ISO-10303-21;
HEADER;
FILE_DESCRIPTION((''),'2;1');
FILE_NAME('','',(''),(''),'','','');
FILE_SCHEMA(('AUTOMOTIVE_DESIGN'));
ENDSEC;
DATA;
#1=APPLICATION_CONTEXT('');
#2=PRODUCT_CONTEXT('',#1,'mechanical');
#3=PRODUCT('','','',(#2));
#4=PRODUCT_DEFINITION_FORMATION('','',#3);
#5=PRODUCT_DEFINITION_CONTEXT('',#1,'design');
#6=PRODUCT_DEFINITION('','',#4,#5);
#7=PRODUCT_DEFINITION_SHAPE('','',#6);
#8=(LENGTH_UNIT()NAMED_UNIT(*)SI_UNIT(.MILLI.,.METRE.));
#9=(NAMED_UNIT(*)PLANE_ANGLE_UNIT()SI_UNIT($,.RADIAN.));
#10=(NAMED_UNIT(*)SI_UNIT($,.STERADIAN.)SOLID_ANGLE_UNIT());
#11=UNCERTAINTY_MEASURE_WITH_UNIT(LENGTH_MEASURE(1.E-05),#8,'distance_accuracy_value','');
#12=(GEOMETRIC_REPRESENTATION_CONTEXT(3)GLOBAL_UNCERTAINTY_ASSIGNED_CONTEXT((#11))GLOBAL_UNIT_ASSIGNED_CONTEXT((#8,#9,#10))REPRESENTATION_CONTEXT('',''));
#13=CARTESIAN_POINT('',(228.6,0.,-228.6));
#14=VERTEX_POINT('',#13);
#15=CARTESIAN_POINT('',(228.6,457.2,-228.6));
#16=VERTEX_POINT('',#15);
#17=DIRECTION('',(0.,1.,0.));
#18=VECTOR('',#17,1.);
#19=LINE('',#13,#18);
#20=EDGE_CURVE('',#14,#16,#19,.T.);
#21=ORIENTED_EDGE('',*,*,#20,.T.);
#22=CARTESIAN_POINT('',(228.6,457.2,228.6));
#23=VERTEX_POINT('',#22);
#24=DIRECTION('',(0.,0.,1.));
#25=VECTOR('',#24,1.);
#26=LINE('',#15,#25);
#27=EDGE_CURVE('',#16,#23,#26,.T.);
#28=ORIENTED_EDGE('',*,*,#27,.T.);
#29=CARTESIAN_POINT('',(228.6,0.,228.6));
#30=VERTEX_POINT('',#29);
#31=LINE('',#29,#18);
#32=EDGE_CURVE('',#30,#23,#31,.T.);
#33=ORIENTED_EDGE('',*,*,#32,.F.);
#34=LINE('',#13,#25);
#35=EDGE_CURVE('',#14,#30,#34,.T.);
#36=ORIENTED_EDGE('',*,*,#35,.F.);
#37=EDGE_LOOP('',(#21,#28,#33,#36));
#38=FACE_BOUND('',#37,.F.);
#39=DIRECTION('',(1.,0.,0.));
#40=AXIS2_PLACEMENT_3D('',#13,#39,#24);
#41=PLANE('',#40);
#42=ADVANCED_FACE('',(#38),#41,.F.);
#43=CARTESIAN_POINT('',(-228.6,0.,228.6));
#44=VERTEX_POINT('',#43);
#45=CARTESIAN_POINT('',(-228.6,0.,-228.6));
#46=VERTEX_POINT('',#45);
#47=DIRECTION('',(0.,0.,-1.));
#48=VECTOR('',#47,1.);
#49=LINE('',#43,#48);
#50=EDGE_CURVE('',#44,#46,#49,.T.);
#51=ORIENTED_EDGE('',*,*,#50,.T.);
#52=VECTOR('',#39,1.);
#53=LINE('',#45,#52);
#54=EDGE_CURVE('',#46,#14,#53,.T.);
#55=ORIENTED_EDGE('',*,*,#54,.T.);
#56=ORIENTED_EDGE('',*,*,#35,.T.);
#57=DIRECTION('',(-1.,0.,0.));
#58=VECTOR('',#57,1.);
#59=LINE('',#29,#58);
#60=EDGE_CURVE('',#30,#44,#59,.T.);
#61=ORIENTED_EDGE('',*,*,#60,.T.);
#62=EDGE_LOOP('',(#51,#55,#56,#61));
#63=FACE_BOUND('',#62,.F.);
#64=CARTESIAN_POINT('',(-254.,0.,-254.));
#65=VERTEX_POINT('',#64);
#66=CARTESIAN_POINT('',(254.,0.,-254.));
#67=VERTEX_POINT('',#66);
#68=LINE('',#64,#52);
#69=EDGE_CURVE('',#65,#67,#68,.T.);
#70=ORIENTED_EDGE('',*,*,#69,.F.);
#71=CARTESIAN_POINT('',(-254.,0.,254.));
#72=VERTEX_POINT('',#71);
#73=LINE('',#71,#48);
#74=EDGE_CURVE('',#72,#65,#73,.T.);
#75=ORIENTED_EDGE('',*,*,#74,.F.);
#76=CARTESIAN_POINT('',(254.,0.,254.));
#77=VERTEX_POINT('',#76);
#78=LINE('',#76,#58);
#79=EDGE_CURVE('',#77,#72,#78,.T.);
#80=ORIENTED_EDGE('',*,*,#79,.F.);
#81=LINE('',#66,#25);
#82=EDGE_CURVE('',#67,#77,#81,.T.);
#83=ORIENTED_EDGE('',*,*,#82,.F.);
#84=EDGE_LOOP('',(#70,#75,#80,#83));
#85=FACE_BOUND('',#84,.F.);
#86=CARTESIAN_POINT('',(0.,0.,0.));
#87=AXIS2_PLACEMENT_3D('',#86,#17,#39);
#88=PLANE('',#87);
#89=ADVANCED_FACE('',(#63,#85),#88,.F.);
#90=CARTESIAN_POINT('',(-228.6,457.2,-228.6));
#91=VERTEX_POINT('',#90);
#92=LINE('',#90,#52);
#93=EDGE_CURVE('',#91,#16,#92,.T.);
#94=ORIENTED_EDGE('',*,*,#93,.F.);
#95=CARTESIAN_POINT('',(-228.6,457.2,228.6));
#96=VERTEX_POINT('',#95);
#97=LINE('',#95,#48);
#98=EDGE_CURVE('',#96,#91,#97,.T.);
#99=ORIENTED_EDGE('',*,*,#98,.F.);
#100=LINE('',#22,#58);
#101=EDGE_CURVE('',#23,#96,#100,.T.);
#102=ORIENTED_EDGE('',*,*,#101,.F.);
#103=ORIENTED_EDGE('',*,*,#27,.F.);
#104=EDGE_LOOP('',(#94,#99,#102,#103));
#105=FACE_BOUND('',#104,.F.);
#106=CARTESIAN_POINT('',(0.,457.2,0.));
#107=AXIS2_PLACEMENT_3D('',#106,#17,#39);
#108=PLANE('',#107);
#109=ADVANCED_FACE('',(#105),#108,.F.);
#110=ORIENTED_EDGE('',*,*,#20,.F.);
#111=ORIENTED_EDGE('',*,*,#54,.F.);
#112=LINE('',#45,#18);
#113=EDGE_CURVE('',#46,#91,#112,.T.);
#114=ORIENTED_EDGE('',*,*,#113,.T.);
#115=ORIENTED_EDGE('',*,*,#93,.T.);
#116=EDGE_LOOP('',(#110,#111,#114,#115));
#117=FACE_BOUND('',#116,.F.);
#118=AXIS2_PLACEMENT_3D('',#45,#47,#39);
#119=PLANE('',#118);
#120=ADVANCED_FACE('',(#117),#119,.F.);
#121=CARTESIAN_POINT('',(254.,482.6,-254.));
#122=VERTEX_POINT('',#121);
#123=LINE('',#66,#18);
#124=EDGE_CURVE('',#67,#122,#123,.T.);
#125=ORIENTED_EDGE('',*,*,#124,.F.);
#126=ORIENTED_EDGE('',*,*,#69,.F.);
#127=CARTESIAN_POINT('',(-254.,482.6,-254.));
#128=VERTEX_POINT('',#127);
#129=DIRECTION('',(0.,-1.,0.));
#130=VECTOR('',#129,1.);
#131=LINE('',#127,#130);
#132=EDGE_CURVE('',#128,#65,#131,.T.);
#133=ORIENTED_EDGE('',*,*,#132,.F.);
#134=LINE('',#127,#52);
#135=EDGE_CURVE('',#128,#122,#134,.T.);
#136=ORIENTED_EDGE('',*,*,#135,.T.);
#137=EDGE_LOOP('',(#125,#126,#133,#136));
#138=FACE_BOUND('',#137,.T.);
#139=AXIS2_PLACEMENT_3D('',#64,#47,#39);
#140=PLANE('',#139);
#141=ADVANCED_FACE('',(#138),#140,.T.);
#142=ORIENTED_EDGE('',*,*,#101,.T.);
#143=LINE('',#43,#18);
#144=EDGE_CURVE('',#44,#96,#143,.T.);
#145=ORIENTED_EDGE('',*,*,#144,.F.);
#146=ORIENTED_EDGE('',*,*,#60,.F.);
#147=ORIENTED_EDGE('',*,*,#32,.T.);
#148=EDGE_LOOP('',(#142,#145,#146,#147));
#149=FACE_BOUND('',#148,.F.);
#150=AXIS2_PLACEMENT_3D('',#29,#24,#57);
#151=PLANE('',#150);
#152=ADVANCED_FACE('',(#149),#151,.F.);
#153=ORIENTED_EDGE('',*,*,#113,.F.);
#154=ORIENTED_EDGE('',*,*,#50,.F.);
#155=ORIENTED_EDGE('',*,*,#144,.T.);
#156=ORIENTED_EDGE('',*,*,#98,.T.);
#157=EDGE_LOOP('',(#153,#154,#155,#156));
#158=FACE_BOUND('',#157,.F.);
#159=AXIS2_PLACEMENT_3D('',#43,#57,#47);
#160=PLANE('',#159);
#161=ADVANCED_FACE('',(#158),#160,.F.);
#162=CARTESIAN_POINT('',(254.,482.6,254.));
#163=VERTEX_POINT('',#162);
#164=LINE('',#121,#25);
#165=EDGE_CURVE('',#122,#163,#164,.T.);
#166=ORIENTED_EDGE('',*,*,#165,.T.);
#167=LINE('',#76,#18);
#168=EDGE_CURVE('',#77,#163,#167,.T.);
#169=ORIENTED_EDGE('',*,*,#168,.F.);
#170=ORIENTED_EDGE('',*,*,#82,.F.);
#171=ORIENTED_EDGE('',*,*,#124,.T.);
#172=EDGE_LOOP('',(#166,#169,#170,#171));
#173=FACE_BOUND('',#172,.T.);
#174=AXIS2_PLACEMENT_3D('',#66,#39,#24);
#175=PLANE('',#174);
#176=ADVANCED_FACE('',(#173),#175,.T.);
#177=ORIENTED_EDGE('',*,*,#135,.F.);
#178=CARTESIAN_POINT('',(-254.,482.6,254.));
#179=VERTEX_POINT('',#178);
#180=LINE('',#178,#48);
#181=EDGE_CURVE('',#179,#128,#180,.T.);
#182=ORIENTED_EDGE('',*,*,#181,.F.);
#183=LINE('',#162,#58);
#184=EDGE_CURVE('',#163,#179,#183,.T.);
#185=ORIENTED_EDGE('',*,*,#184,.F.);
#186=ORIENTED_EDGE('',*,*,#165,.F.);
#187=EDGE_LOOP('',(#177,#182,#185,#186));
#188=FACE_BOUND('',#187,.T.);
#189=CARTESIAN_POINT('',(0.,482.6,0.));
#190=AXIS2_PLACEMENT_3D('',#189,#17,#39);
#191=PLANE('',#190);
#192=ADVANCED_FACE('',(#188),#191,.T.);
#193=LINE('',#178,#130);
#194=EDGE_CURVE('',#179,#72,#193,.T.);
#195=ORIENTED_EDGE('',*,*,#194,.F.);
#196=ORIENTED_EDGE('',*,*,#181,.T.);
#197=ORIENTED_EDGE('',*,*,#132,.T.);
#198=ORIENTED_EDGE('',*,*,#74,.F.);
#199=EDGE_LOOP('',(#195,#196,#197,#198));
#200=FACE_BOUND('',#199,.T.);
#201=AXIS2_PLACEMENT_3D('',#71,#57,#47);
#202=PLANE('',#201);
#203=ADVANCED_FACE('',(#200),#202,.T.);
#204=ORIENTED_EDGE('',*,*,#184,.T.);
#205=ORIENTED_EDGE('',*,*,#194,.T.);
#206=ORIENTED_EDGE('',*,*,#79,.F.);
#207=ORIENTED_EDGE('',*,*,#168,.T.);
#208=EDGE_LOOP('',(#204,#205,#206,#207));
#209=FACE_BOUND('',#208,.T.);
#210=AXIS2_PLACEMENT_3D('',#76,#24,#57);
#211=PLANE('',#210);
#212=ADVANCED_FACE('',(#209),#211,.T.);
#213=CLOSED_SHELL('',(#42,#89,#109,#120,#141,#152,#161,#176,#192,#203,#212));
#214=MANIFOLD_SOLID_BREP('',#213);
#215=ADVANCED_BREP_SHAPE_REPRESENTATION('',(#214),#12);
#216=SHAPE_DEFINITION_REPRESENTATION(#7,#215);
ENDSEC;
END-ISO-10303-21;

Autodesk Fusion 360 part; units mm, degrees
sketch "Sketch1" plane through (0, 0, 0) normal (0, 1, 0) x (1, 0, 0)
  line L0 (228.6, -228.6) -> (-228.6, -228.6)
  line L1 (-228.6, -228.6) -> (-228.6, 228.6)
  line L2 (-228.6, 228.6) -> (228.6, 228.6)
  line L3 (228.6, 228.6) -> (228.6, -228.6)
  line L4 (228.6, -228.6) -> (-228.6, 228.6) construction
  line L5 (-228.6, -228.6) -> (228.6, 228.6) construction
  dimension "d1" = 457.2
  dimension "d2" = 457.2
extrude "Extrude1" add sketch "Sketch1" along normal blind 457.2 makes body 1
copy_body "Body->Comp1" bodies 1 removing the originals makes body 2 in component "SIzing Box"
delete_body "RemoveBody1" bodies 2 in component "SIzing Box"
sketch "Sketch1 (2)" plane through (0, 0, 0) normal (0, 1, 0) x (1, 0, 0) in component "SIzing Box"
  line L0 (228.6, -228.6) -> (-228.6, -228.6)
  line L1 (-228.6, -228.6) -> (-228.6, 228.6)
  line L2 (-228.6, 228.6) -> (228.6, 228.6)
  line L3 (228.6, 228.6) -> (228.6, -228.6)
  line L4 (228.6, -228.6) -> (-228.6, 228.6) construction
  line L5 (-228.6, -228.6) -> (228.6, 228.6) construction
  line L6 (254, -254) -> (-254, -254)
  line L7 (-254, -254) -> (-254, 254)
  line L8 (-254, 254) -> (254, 254)
  line L9 (254, 254) -> (254, -254)
  dimension "d5" = 457.2
  dimension "d6" = 457.2
  dimension "d7" = -25.4
extrude "Extrude2" add sketch "Sketch1 (2)" along normal blind 25.4 from surface at 457.2 separate body contours L0 L1 L2 L3 | L6 L7 L8 L9 makes body 3 in component "SIzing Box"
extrude "Extrude1'" add sketch "Sketch1 (2)" along normal blind 457.2 bodies 3 in component "SIzing Box"
component "SIzing Box" placed x (1, 0, 0) y (0, 1, 0) z (0, 0, 1) at (0, 0, 0)
